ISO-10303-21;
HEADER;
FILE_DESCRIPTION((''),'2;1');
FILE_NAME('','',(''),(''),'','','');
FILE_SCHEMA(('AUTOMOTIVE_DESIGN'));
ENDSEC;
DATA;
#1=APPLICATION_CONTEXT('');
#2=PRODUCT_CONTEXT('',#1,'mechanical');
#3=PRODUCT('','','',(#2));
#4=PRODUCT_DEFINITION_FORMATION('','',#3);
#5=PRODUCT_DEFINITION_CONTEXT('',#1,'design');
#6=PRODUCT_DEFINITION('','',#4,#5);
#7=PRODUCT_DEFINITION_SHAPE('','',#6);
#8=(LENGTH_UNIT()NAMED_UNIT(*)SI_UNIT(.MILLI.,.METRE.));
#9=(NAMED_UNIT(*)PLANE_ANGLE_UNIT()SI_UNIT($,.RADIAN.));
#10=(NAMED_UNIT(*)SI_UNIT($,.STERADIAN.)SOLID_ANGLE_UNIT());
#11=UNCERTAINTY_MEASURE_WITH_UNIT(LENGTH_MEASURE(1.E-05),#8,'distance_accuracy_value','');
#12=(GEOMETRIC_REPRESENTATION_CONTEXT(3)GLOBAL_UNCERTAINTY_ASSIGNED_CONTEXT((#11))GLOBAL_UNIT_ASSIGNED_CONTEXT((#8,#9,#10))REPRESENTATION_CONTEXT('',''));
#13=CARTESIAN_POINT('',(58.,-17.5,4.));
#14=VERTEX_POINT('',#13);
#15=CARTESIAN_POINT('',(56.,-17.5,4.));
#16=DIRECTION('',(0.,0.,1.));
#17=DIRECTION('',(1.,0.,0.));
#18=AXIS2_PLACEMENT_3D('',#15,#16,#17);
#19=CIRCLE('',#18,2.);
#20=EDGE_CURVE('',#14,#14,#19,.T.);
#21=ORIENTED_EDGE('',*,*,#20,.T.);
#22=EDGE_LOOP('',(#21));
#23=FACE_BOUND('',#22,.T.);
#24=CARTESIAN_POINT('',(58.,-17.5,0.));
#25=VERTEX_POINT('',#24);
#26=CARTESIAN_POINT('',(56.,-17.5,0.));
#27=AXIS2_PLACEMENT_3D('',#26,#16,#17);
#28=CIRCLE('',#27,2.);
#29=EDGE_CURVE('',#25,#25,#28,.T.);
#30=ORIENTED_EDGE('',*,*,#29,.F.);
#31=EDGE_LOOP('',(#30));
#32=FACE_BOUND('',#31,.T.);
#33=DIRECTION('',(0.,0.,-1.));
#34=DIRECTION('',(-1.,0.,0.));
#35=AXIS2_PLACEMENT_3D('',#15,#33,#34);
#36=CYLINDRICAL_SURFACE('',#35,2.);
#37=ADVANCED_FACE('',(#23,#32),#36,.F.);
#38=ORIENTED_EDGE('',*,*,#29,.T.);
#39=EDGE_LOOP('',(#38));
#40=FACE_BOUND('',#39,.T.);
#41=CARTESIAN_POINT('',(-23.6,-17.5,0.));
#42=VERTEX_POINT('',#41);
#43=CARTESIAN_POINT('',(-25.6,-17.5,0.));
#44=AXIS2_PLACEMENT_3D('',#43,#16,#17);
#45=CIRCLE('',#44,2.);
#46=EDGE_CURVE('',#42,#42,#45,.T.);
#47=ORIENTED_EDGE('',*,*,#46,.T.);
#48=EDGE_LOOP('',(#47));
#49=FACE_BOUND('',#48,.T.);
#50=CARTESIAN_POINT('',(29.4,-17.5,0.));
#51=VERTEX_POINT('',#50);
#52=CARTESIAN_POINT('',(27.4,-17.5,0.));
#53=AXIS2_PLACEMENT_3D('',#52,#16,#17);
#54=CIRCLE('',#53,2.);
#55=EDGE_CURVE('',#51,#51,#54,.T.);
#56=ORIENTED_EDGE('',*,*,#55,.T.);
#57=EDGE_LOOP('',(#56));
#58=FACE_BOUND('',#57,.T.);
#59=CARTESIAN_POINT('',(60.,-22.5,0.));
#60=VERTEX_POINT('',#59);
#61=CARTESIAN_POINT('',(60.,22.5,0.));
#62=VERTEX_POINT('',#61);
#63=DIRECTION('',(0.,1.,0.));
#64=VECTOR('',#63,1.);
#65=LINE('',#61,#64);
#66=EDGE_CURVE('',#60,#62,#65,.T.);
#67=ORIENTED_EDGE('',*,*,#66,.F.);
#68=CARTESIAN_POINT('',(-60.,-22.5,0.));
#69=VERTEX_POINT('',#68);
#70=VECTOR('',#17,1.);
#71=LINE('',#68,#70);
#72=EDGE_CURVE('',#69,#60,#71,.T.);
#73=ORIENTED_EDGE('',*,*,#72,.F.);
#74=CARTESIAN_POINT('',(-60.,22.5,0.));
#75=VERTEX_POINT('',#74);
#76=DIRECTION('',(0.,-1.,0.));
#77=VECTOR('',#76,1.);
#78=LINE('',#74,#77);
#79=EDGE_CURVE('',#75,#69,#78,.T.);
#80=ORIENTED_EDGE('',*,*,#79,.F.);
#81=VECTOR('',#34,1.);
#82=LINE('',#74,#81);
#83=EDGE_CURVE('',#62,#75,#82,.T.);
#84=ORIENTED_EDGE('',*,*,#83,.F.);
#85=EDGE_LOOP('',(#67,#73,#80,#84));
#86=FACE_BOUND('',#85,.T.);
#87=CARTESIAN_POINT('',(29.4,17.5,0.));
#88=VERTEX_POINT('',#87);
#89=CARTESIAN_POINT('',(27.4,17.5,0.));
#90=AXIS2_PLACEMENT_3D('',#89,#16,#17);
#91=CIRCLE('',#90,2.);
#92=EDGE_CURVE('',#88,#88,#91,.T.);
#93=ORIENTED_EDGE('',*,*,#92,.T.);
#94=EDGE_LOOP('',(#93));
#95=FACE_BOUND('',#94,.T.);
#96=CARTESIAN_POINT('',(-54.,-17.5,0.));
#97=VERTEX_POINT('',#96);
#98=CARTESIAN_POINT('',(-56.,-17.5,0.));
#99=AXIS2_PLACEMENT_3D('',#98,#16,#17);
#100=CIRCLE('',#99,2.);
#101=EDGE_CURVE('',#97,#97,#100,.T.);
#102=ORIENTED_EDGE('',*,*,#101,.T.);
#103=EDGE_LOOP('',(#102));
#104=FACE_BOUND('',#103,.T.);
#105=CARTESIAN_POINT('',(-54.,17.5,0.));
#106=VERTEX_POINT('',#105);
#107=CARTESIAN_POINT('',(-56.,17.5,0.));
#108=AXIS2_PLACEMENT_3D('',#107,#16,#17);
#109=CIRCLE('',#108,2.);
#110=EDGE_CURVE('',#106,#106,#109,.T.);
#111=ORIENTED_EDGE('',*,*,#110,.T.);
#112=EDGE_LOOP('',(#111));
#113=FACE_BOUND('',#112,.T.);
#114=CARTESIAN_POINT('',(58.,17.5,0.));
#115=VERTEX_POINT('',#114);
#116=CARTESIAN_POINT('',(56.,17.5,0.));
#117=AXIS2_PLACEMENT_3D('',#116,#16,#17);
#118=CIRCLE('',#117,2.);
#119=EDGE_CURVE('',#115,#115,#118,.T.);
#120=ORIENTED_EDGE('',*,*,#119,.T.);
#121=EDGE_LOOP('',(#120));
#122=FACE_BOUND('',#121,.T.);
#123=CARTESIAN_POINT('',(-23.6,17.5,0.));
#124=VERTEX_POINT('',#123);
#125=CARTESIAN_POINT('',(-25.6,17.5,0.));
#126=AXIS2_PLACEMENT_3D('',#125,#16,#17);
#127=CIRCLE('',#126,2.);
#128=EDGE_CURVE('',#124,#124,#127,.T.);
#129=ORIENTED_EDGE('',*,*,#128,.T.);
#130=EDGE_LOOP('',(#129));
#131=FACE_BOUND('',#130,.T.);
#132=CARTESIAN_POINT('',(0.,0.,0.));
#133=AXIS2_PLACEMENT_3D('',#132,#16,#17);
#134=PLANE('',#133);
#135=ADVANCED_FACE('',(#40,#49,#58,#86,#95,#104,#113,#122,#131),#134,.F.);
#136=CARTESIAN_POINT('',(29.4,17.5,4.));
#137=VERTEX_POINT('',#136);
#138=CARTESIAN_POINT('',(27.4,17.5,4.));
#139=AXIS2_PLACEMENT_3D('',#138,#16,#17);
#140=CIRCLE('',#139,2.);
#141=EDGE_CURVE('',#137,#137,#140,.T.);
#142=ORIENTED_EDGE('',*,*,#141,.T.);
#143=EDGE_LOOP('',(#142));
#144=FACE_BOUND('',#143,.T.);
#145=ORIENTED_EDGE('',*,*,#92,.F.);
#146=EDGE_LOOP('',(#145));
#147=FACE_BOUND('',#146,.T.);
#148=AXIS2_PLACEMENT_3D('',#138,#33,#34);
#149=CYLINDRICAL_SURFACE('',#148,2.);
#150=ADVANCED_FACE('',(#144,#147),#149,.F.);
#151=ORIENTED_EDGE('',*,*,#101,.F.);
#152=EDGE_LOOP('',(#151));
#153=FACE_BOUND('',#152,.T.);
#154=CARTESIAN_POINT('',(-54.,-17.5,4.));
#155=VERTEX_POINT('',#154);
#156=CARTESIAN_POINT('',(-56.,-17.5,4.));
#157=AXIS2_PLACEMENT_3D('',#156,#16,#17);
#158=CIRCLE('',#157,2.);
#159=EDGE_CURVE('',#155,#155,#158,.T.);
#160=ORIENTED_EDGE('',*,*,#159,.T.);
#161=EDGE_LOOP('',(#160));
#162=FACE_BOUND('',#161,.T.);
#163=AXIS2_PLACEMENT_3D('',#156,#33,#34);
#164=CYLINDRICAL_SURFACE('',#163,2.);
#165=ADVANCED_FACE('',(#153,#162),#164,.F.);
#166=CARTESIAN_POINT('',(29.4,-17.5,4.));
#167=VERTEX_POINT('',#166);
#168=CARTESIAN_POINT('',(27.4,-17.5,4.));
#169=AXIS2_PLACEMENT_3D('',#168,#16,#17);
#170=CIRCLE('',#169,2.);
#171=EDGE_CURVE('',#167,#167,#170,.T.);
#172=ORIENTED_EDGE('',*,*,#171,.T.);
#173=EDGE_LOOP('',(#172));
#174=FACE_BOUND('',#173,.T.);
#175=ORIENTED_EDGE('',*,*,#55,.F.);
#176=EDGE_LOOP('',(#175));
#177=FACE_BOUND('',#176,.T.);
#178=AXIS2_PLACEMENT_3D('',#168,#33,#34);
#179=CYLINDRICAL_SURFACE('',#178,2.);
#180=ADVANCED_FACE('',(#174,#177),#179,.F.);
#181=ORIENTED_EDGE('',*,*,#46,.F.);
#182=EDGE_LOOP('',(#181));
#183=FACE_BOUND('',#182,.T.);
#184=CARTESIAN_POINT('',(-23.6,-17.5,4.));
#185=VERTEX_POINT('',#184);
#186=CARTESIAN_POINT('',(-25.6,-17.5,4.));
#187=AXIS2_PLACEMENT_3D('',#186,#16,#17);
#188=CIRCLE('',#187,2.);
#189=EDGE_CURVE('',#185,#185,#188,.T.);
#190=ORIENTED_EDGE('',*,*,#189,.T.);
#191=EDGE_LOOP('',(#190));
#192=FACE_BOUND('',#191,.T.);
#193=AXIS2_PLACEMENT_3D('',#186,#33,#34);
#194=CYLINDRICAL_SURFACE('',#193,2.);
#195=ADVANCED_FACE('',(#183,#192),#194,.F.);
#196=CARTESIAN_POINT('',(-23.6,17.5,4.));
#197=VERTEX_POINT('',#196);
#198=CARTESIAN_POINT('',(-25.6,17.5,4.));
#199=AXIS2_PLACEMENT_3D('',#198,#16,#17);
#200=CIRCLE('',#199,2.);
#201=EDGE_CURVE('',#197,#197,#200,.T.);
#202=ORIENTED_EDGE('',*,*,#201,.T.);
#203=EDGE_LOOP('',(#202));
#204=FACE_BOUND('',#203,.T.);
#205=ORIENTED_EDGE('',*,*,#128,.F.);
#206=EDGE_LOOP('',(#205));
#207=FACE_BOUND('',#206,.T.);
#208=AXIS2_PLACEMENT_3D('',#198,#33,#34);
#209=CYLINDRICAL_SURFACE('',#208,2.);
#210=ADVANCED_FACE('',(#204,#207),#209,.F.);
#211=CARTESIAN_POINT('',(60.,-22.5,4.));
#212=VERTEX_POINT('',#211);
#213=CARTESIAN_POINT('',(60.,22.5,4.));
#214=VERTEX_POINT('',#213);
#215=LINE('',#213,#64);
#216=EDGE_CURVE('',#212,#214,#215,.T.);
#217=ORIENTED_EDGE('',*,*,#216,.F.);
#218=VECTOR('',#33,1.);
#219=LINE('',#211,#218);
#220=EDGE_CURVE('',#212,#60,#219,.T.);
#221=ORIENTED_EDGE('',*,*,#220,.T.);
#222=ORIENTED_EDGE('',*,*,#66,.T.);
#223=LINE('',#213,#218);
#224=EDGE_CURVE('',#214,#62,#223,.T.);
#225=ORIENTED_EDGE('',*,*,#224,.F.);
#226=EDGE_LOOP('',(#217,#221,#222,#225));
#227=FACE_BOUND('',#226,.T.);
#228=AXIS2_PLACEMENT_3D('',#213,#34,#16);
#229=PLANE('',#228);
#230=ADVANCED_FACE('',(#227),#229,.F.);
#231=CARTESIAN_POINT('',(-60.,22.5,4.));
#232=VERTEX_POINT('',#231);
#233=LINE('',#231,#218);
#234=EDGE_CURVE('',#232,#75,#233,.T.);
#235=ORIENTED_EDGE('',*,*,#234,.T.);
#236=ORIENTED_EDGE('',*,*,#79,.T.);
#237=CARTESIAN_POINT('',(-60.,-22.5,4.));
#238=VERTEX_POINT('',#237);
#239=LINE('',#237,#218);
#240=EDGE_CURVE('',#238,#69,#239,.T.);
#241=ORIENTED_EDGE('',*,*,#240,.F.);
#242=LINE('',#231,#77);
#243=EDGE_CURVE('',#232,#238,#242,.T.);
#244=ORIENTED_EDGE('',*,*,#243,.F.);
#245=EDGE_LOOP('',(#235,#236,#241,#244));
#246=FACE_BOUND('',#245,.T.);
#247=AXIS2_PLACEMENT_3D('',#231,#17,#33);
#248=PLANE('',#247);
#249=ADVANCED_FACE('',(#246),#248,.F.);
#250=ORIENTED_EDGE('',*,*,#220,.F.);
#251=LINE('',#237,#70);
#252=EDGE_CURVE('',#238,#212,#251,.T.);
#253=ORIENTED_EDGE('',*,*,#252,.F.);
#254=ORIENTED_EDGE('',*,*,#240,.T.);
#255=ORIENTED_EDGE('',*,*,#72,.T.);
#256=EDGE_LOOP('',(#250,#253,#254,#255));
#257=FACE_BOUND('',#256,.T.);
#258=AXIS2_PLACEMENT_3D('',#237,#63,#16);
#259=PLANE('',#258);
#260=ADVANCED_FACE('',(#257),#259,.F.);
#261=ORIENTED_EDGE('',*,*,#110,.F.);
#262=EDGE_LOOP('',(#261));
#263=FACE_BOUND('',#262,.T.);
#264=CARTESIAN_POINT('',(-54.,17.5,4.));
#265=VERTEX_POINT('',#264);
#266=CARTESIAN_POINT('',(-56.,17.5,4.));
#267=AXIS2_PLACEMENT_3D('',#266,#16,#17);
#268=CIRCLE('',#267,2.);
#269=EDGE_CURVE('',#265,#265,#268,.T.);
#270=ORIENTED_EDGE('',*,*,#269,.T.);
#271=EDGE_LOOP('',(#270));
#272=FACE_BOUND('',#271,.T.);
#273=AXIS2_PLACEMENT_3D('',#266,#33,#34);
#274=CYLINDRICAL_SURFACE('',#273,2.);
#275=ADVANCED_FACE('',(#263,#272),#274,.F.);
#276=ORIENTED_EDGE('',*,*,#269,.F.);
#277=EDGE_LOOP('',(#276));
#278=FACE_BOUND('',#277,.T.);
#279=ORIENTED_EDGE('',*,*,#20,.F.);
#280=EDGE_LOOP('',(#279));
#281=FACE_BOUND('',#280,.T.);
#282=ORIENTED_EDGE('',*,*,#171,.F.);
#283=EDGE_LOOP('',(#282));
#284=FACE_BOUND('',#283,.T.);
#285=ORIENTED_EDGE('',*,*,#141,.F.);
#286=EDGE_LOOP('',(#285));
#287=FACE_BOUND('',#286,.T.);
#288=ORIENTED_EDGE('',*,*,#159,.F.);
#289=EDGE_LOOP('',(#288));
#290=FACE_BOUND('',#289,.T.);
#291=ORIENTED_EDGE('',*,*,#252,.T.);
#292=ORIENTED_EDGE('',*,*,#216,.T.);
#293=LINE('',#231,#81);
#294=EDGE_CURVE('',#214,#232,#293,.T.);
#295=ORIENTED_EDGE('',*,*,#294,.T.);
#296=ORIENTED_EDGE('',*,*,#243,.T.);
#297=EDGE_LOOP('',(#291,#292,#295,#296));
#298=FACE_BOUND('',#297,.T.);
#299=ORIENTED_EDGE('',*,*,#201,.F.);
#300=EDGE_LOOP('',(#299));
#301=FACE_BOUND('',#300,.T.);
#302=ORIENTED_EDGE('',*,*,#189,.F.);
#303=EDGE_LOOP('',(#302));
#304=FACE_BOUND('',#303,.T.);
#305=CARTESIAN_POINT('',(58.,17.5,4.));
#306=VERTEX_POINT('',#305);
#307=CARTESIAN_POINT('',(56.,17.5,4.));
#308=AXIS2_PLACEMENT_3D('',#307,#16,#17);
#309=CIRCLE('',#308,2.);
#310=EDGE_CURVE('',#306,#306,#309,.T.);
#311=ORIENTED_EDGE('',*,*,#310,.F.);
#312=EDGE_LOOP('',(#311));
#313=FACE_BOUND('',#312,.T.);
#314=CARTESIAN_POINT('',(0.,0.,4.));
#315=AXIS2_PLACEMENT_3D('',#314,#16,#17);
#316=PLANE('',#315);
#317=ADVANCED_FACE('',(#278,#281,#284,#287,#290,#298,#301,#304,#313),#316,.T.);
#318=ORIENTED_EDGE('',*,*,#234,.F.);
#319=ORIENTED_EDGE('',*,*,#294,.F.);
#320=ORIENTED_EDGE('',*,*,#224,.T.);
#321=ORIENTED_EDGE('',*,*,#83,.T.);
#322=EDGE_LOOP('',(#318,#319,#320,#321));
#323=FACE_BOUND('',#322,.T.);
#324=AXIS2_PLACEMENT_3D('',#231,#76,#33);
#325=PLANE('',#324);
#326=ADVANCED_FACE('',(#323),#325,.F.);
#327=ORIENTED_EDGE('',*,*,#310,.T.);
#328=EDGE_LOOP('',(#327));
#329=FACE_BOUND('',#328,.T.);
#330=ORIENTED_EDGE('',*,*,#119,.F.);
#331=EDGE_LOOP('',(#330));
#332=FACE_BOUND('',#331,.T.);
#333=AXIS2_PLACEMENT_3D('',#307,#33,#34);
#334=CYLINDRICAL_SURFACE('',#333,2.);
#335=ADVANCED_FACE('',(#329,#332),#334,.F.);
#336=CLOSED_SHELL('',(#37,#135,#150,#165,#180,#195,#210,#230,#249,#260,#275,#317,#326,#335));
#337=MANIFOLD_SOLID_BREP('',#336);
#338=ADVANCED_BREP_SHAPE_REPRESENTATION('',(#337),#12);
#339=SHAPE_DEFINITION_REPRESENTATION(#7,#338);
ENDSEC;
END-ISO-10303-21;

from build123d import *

# Parameters (mm, degrees)
ESQUISSE1_W        = 120
ESQUISSE1_H        = 45
ESQUISSE1_R        = 2
BOSS_EXTRU_1_DEPTH = 4


with BuildPart() as part:
    # Esquisse1 → Boss.-Extru.1 (new body)
    with BuildSketch(Plane.XY):
        Rectangle(ESQUISSE1_W, ESQUISSE1_H)
        with Locations((56, -17.5)):
            Circle(ESQUISSE1_R, mode=Mode.SUBTRACT)
        with Locations((27.4, -17.5)):
            Circle(ESQUISSE1_R, mode=Mode.SUBTRACT)
        with Locations((-25.6, -17.5)):
            Circle(ESQUISSE1_R, mode=Mode.SUBTRACT)
        with Locations((-56, -17.5)):
            Circle(ESQUISSE1_R, mode=Mode.SUBTRACT)
        with Locations((-25.6, 17.5)):
            Circle(ESQUISSE1_R, mode=Mode.SUBTRACT)
        with Locations((27.4, 17.5)):
            Circle(ESQUISSE1_R, mode=Mode.SUBTRACT)
        with Locations((56, 17.5)):
            Circle(ESQUISSE1_R, mode=Mode.SUBTRACT)
        with Locations((-56, 17.5)):
            Circle(ESQUISSE1_R, mode=Mode.SUBTRACT)
    extrude(amount=BOSS_EXTRU_1_DEPTH)


solid = part.part
